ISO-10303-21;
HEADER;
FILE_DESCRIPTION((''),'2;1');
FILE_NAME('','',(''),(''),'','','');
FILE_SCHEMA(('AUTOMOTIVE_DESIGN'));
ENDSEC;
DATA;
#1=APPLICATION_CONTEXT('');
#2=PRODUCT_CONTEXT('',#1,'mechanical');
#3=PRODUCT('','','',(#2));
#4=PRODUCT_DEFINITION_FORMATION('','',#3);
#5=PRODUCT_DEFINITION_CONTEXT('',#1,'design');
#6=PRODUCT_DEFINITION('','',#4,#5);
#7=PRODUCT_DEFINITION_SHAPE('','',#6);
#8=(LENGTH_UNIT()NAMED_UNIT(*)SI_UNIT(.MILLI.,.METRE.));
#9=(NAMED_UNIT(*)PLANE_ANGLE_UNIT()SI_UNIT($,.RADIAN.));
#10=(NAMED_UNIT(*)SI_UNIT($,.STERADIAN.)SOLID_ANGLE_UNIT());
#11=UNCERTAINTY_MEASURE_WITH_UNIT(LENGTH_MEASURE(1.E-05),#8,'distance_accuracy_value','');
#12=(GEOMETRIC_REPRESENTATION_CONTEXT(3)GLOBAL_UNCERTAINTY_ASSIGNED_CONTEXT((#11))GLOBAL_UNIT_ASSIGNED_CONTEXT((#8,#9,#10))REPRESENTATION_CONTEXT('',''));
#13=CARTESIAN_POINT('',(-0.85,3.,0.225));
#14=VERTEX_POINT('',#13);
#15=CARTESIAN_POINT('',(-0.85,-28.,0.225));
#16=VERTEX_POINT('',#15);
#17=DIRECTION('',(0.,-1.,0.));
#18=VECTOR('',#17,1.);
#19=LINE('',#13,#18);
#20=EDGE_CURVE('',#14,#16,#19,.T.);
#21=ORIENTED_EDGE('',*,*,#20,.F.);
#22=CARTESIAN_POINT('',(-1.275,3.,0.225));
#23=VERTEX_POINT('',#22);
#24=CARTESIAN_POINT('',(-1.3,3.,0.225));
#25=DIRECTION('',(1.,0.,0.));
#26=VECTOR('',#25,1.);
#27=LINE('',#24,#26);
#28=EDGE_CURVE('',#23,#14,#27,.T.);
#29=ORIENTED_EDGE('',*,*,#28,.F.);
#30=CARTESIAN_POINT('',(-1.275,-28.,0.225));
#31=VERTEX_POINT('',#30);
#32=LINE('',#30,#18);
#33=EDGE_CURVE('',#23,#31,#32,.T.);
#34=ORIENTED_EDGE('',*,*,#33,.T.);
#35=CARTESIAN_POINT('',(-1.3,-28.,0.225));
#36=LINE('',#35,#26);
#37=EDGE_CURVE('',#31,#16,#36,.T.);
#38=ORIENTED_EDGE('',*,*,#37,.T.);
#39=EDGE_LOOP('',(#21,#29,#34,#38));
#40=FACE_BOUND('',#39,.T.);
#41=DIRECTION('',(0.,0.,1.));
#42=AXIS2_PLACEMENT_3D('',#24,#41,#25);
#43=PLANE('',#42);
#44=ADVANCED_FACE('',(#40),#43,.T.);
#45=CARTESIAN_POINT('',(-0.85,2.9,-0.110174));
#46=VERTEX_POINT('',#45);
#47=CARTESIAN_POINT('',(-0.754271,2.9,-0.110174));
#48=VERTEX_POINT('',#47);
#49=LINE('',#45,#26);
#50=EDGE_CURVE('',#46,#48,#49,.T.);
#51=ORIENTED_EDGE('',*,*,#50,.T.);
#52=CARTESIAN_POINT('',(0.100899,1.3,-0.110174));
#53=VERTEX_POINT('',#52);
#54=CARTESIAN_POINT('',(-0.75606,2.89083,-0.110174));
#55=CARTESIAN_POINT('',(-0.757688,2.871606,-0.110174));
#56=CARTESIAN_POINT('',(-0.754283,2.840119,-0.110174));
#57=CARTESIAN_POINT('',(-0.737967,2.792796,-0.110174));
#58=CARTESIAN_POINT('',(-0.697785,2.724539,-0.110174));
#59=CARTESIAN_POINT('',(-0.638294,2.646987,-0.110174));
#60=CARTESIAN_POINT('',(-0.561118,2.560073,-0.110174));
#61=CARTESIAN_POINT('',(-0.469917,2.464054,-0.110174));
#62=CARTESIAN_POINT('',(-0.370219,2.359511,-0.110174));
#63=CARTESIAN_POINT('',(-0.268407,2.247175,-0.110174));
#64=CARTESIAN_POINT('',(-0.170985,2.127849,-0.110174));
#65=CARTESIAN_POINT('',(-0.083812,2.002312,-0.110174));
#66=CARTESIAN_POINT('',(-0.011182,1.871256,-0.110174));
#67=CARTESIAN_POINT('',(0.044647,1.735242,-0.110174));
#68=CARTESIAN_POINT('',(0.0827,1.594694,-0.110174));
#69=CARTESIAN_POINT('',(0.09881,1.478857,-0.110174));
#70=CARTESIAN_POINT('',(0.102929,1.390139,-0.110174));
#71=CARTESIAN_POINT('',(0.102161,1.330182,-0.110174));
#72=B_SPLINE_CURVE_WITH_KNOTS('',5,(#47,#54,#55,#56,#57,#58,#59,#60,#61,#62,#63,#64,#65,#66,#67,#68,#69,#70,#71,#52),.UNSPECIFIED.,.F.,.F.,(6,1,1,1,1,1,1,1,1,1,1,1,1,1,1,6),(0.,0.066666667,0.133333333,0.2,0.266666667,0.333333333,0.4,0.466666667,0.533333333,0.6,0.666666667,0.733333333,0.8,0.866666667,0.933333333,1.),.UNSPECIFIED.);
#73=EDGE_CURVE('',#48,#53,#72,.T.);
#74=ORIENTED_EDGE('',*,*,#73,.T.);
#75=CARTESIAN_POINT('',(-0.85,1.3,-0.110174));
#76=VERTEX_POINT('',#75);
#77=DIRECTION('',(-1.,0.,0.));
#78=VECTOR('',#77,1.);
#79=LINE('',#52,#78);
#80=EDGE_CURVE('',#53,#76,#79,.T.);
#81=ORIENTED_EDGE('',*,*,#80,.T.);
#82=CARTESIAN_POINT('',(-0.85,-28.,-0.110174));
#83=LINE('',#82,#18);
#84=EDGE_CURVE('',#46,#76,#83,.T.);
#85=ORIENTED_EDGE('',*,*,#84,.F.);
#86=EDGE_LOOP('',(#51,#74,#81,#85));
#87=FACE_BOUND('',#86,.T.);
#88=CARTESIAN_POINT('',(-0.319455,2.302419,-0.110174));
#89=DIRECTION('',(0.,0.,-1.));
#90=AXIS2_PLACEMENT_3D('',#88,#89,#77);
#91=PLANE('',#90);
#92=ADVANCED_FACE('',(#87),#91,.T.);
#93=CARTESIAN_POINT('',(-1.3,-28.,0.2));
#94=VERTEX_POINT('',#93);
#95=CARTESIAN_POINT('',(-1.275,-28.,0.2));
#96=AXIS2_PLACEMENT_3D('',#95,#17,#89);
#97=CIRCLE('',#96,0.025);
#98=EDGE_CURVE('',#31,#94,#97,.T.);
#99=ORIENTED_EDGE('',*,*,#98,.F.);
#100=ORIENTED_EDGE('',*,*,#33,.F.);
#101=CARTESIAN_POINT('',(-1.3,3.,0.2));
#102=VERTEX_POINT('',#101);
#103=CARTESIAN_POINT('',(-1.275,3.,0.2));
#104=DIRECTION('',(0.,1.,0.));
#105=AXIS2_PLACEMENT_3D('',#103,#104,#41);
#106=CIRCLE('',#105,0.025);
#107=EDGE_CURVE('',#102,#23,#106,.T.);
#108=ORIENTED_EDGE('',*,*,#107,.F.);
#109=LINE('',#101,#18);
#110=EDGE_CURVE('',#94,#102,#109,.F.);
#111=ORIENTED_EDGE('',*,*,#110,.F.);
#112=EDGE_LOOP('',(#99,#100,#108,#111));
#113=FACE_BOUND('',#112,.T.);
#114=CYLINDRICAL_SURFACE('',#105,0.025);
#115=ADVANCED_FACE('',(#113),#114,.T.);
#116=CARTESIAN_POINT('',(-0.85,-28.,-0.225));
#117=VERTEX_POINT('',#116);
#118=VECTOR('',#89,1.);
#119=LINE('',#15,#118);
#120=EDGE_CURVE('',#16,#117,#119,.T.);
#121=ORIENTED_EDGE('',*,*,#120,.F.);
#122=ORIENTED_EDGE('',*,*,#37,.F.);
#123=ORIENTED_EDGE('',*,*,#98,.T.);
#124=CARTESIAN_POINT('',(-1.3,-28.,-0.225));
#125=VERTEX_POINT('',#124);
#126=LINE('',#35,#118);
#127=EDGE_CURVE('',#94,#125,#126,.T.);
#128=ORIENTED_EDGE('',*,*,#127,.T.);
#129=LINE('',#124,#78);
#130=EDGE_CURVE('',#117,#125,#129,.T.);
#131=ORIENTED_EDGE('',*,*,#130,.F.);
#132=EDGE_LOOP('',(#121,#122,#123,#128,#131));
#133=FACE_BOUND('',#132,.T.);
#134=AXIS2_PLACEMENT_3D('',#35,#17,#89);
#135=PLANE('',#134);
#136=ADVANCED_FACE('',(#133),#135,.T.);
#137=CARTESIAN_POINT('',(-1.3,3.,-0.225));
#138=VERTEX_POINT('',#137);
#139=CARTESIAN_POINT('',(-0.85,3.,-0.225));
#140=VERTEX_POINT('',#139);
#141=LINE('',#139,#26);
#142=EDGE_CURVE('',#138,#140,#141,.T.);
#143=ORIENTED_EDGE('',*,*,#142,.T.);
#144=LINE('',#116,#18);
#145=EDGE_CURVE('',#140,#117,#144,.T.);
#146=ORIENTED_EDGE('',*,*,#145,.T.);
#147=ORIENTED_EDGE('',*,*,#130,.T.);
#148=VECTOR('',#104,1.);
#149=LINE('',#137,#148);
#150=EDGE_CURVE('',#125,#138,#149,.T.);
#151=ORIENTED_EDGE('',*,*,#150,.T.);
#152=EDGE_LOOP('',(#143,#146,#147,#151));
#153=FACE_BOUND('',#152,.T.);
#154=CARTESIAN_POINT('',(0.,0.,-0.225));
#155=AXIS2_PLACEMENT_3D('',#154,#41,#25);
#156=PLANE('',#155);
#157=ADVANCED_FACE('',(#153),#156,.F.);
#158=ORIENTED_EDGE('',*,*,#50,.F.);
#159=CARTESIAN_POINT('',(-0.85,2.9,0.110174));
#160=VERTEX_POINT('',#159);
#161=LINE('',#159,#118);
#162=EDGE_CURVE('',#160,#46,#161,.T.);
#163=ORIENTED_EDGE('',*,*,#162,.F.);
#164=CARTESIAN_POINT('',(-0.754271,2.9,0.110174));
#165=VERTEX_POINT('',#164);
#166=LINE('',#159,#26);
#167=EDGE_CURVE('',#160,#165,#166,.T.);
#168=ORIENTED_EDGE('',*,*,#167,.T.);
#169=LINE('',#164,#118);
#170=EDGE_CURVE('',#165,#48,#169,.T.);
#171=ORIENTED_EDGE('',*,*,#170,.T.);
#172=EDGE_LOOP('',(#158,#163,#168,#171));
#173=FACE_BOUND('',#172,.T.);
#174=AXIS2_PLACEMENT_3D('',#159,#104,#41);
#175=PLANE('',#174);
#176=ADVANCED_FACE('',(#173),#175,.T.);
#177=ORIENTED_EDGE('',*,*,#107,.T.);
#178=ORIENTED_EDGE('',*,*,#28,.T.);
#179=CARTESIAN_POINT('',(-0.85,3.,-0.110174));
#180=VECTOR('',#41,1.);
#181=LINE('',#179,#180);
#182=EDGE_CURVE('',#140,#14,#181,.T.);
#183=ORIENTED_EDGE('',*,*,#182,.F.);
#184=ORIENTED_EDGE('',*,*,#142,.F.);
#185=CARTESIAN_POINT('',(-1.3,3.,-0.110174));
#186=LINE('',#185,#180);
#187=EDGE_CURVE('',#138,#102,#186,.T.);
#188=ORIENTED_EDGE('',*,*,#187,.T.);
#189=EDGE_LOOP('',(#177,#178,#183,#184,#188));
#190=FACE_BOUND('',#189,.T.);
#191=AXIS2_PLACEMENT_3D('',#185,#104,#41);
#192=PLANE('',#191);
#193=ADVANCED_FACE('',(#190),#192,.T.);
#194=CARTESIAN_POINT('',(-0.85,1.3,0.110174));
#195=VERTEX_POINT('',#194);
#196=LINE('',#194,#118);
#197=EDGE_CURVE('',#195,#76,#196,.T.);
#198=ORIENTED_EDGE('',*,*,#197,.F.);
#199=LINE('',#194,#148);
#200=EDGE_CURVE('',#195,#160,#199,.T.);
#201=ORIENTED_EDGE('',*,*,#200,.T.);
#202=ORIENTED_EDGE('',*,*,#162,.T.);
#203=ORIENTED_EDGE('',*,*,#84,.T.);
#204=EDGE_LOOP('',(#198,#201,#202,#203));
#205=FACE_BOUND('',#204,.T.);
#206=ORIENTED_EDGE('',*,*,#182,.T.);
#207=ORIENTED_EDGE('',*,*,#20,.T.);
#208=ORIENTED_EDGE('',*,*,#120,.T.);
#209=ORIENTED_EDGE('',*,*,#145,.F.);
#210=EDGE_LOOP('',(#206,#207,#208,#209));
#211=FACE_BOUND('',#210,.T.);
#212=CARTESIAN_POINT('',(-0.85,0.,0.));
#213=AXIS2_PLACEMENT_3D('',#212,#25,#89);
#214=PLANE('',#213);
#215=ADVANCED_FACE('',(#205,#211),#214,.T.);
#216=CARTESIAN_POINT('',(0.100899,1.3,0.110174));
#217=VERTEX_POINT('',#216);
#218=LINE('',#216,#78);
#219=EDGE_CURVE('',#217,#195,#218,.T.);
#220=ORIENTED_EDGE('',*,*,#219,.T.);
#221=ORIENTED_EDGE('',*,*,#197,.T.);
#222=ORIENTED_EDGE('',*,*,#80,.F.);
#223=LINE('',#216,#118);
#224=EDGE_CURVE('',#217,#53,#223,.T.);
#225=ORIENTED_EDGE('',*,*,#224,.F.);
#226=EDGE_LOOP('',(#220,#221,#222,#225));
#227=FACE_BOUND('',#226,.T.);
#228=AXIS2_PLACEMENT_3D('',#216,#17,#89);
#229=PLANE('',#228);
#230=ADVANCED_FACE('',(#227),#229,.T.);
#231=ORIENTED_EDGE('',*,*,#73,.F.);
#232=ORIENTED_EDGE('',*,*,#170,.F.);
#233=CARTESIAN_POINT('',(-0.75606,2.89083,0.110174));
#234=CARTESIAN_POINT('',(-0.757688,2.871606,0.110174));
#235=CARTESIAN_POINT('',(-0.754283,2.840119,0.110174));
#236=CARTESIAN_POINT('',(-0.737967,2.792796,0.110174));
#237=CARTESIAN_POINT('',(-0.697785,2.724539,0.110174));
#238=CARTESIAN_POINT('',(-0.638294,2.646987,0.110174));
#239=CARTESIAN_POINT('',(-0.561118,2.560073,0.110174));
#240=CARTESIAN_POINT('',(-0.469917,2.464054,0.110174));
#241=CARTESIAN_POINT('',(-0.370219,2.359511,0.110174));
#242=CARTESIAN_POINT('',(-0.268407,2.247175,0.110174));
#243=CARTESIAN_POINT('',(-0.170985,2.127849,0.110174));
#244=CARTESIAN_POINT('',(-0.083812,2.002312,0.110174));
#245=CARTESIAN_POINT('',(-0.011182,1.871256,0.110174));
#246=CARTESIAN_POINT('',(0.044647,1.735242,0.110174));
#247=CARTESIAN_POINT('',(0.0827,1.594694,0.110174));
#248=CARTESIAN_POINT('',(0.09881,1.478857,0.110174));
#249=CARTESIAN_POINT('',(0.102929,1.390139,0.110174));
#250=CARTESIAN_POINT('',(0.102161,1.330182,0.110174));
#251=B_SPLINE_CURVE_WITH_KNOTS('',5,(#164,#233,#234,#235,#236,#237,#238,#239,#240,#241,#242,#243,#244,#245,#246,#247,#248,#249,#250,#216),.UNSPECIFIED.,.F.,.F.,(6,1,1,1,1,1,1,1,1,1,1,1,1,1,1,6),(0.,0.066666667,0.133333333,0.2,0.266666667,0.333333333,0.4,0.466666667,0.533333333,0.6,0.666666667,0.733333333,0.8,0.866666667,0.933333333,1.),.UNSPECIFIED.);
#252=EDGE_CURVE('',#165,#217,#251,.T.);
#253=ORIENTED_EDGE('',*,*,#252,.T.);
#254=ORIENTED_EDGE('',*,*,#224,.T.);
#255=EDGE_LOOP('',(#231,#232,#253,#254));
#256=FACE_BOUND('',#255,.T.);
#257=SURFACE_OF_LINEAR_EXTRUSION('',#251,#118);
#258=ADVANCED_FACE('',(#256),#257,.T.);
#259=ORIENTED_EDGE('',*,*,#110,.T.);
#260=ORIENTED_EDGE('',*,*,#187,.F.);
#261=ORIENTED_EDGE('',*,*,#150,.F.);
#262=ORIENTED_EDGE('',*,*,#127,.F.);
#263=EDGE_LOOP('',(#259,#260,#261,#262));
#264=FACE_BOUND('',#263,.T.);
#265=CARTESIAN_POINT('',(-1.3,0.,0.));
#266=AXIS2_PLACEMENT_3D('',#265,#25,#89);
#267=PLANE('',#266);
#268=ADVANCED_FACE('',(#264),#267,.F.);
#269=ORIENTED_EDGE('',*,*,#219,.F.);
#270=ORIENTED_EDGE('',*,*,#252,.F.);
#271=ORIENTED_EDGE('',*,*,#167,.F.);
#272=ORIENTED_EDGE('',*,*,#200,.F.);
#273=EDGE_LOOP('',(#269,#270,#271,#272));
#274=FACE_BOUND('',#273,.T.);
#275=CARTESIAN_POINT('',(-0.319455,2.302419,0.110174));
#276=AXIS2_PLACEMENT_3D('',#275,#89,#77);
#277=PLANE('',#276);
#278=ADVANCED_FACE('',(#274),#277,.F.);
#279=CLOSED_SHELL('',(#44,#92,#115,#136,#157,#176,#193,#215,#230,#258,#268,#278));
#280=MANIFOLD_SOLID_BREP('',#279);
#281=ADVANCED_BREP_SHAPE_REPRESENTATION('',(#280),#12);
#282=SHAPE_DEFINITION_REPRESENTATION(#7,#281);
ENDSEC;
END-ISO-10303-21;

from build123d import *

# Parameters (mm, degrees)
BOSS_EXTRUDE1_DEPTH = 0.220347005
SKETCH2_W           = 0.335173503
SKETCH2_H           = 31
BOSS_EXTRUDE2_DEPTH = 0.45
SKETCH3_W           = 0.45
SKETCH3_H           = 31
BOSS_EXTRUDE3_DEPTH = 0.114826497
FILLET1_R           = 0.025


with BuildPart() as part:
    # Sketch1 → Boss-Extrude1 (new body)
    with BuildSketch(Plane(origin=(0, 0, -0.110173503), x_dir=(-1, 0, 0), z_dir=(0, 0, -1))):
        with BuildLine():
            Line((-0.100899126, 1.3), (0.85, 1.3))
            Line((0.85, 1.3), (0.85, 2.9))
            Line((0.85, 2.9), (0.754271379, 2.9))
            add(Edge.make_bspline(
                [(0.754271379, 2.9), (0.756059912, 2.890829896), (0.757688053, 2.871605997), (0.754283259, 2.84011903), (0.73796652, 2.792795969), (0.697785469, 2.724539071), (0.638294458, 2.646987167), (0.561118331, 2.56007299), (0.469917194, 2.464054427), (0.370218593, 2.359510578), (0.26840655, 2.24717531), (0.17098544, 2.127849346), (0.083811745, 2.002312001), (0.011182268, 1.871255904), (-0.044647472, 1.735241835), (-0.08270041, 1.594693954), (-0.098810181, 1.47885747), (-0.102928932, 1.390139391), (-0.102161317, 1.330181827), (-0.100899126, 1.3)],
                knots=[0, 0, 0, 0, 0, 0, 0.066666667, 0.133333333, 0.2, 0.266666667, 0.333333333, 0.4, 0.466666667, 0.533333333, 0.6, 0.666666667, 0.733333333, 0.8, 0.866666667, 0.933333333, 1, 1, 1, 1, 1, 1], degree=5))
        make_face()
    extrude(amount=-BOSS_EXTRUDE1_DEPTH)

    # Sketch2 → Boss-Extrude2 (add)
    with BuildSketch(Plane(origin=(-0.85, 0, 0), x_dir=(0, 0, -1), z_dir=(1, 0, 0))):
        with Locations((-0.057413248, -12.5)):
            Rectangle(SKETCH2_W, SKETCH2_H)
    extrude(amount=-BOSS_EXTRUDE2_DEPTH)

    # Sketch3 → Boss-Extrude3 (add)
    with BuildSketch(Plane(origin=(0, 0, -0.110173503), x_dir=(-1, 0, 0), z_dir=(0, 0, -1))):
        with Locations((1.075, -12.5)):
            Rectangle(SKETCH3_W, SKETCH3_H)
    extrude(amount=BOSS_EXTRUDE3_DEPTH)

    # Fillet1
    fillet1_edges = [part.edges().sort_by_distance(p)[0] for p in [
        (-1.3, -12.5, 0.225),
    ]]
    fillet(fillet1_edges, radius=FILLET1_R)


solid = part.part
